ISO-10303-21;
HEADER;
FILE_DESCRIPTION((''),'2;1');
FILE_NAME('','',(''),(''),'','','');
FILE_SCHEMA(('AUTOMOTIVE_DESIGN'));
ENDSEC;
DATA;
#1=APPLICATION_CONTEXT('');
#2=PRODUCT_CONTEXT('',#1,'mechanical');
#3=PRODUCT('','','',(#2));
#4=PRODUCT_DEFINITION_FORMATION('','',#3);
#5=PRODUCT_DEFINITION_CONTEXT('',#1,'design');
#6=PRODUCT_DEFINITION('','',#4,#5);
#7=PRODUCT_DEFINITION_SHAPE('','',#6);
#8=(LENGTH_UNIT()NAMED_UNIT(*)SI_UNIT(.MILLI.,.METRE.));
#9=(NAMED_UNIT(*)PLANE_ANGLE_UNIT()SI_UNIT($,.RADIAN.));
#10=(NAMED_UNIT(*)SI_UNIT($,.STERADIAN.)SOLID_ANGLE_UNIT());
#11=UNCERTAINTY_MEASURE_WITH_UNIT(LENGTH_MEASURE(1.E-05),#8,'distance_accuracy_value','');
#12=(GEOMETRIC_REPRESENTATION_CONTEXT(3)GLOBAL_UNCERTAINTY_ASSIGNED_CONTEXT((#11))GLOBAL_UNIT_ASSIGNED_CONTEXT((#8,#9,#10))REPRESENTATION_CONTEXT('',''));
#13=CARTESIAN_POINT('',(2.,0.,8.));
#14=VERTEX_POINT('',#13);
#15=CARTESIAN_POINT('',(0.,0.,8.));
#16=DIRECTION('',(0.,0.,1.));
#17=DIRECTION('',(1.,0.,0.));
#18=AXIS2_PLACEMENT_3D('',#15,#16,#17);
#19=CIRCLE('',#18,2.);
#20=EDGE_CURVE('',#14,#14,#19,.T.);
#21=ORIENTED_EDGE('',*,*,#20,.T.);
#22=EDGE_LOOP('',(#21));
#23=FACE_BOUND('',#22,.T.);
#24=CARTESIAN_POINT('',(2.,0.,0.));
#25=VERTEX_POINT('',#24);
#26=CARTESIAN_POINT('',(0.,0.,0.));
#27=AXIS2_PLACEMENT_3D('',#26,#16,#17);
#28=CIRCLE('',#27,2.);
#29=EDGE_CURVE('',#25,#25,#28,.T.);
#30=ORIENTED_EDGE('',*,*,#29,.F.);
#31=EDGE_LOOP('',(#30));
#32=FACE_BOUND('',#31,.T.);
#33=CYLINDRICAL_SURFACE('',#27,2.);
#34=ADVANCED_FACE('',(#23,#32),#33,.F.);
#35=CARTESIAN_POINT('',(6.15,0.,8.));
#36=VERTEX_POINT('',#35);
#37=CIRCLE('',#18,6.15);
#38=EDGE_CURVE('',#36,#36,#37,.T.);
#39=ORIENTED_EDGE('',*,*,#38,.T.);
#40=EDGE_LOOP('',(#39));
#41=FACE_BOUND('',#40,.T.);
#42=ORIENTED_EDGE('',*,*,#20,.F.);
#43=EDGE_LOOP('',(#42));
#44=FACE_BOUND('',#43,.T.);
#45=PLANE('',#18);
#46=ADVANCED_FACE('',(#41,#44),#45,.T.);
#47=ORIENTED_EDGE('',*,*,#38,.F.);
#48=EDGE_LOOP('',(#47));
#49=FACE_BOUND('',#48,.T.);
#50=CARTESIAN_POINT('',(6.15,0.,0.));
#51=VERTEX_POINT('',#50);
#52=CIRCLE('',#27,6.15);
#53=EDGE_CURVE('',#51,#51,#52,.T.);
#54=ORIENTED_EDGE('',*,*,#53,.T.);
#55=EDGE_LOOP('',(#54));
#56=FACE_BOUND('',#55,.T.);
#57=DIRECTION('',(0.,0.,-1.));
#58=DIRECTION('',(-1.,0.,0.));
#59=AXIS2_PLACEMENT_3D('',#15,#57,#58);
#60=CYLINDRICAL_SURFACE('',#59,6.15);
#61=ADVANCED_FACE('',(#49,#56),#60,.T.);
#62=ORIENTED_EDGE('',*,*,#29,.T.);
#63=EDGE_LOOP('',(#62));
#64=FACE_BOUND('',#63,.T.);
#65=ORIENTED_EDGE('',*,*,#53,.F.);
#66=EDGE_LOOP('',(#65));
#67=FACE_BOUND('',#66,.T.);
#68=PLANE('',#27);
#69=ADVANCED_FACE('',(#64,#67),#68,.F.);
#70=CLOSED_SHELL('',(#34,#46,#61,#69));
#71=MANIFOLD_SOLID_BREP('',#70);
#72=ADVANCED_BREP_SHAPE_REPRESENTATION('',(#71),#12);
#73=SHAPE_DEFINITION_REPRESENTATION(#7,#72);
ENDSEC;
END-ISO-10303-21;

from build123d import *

# Parameters (mm, degrees)
SKETCH1_R           = 6.15
BOSS_EXTRUDE1_DEPTH = 8
SKETCH2_R           = 2
CUT_EXTRUDE1_DEPTH  = 12.817148556


with BuildPart() as part:
    # Sketch1 → Boss-Extrude1 (new body)
    with BuildSketch(Plane.XY):
        Circle(SKETCH1_R)
    extrude(amount=BOSS_EXTRUDE1_DEPTH)

    # Sketch2 → Cut-Extrude1 (cut, through all)
    with BuildSketch(Plane.XY.offset(8)):
        Circle(SKETCH2_R)
    extrude(amount=-CUT_EXTRUDE1_DEPTH, mode=Mode.SUBTRACT)


solid = part.part
